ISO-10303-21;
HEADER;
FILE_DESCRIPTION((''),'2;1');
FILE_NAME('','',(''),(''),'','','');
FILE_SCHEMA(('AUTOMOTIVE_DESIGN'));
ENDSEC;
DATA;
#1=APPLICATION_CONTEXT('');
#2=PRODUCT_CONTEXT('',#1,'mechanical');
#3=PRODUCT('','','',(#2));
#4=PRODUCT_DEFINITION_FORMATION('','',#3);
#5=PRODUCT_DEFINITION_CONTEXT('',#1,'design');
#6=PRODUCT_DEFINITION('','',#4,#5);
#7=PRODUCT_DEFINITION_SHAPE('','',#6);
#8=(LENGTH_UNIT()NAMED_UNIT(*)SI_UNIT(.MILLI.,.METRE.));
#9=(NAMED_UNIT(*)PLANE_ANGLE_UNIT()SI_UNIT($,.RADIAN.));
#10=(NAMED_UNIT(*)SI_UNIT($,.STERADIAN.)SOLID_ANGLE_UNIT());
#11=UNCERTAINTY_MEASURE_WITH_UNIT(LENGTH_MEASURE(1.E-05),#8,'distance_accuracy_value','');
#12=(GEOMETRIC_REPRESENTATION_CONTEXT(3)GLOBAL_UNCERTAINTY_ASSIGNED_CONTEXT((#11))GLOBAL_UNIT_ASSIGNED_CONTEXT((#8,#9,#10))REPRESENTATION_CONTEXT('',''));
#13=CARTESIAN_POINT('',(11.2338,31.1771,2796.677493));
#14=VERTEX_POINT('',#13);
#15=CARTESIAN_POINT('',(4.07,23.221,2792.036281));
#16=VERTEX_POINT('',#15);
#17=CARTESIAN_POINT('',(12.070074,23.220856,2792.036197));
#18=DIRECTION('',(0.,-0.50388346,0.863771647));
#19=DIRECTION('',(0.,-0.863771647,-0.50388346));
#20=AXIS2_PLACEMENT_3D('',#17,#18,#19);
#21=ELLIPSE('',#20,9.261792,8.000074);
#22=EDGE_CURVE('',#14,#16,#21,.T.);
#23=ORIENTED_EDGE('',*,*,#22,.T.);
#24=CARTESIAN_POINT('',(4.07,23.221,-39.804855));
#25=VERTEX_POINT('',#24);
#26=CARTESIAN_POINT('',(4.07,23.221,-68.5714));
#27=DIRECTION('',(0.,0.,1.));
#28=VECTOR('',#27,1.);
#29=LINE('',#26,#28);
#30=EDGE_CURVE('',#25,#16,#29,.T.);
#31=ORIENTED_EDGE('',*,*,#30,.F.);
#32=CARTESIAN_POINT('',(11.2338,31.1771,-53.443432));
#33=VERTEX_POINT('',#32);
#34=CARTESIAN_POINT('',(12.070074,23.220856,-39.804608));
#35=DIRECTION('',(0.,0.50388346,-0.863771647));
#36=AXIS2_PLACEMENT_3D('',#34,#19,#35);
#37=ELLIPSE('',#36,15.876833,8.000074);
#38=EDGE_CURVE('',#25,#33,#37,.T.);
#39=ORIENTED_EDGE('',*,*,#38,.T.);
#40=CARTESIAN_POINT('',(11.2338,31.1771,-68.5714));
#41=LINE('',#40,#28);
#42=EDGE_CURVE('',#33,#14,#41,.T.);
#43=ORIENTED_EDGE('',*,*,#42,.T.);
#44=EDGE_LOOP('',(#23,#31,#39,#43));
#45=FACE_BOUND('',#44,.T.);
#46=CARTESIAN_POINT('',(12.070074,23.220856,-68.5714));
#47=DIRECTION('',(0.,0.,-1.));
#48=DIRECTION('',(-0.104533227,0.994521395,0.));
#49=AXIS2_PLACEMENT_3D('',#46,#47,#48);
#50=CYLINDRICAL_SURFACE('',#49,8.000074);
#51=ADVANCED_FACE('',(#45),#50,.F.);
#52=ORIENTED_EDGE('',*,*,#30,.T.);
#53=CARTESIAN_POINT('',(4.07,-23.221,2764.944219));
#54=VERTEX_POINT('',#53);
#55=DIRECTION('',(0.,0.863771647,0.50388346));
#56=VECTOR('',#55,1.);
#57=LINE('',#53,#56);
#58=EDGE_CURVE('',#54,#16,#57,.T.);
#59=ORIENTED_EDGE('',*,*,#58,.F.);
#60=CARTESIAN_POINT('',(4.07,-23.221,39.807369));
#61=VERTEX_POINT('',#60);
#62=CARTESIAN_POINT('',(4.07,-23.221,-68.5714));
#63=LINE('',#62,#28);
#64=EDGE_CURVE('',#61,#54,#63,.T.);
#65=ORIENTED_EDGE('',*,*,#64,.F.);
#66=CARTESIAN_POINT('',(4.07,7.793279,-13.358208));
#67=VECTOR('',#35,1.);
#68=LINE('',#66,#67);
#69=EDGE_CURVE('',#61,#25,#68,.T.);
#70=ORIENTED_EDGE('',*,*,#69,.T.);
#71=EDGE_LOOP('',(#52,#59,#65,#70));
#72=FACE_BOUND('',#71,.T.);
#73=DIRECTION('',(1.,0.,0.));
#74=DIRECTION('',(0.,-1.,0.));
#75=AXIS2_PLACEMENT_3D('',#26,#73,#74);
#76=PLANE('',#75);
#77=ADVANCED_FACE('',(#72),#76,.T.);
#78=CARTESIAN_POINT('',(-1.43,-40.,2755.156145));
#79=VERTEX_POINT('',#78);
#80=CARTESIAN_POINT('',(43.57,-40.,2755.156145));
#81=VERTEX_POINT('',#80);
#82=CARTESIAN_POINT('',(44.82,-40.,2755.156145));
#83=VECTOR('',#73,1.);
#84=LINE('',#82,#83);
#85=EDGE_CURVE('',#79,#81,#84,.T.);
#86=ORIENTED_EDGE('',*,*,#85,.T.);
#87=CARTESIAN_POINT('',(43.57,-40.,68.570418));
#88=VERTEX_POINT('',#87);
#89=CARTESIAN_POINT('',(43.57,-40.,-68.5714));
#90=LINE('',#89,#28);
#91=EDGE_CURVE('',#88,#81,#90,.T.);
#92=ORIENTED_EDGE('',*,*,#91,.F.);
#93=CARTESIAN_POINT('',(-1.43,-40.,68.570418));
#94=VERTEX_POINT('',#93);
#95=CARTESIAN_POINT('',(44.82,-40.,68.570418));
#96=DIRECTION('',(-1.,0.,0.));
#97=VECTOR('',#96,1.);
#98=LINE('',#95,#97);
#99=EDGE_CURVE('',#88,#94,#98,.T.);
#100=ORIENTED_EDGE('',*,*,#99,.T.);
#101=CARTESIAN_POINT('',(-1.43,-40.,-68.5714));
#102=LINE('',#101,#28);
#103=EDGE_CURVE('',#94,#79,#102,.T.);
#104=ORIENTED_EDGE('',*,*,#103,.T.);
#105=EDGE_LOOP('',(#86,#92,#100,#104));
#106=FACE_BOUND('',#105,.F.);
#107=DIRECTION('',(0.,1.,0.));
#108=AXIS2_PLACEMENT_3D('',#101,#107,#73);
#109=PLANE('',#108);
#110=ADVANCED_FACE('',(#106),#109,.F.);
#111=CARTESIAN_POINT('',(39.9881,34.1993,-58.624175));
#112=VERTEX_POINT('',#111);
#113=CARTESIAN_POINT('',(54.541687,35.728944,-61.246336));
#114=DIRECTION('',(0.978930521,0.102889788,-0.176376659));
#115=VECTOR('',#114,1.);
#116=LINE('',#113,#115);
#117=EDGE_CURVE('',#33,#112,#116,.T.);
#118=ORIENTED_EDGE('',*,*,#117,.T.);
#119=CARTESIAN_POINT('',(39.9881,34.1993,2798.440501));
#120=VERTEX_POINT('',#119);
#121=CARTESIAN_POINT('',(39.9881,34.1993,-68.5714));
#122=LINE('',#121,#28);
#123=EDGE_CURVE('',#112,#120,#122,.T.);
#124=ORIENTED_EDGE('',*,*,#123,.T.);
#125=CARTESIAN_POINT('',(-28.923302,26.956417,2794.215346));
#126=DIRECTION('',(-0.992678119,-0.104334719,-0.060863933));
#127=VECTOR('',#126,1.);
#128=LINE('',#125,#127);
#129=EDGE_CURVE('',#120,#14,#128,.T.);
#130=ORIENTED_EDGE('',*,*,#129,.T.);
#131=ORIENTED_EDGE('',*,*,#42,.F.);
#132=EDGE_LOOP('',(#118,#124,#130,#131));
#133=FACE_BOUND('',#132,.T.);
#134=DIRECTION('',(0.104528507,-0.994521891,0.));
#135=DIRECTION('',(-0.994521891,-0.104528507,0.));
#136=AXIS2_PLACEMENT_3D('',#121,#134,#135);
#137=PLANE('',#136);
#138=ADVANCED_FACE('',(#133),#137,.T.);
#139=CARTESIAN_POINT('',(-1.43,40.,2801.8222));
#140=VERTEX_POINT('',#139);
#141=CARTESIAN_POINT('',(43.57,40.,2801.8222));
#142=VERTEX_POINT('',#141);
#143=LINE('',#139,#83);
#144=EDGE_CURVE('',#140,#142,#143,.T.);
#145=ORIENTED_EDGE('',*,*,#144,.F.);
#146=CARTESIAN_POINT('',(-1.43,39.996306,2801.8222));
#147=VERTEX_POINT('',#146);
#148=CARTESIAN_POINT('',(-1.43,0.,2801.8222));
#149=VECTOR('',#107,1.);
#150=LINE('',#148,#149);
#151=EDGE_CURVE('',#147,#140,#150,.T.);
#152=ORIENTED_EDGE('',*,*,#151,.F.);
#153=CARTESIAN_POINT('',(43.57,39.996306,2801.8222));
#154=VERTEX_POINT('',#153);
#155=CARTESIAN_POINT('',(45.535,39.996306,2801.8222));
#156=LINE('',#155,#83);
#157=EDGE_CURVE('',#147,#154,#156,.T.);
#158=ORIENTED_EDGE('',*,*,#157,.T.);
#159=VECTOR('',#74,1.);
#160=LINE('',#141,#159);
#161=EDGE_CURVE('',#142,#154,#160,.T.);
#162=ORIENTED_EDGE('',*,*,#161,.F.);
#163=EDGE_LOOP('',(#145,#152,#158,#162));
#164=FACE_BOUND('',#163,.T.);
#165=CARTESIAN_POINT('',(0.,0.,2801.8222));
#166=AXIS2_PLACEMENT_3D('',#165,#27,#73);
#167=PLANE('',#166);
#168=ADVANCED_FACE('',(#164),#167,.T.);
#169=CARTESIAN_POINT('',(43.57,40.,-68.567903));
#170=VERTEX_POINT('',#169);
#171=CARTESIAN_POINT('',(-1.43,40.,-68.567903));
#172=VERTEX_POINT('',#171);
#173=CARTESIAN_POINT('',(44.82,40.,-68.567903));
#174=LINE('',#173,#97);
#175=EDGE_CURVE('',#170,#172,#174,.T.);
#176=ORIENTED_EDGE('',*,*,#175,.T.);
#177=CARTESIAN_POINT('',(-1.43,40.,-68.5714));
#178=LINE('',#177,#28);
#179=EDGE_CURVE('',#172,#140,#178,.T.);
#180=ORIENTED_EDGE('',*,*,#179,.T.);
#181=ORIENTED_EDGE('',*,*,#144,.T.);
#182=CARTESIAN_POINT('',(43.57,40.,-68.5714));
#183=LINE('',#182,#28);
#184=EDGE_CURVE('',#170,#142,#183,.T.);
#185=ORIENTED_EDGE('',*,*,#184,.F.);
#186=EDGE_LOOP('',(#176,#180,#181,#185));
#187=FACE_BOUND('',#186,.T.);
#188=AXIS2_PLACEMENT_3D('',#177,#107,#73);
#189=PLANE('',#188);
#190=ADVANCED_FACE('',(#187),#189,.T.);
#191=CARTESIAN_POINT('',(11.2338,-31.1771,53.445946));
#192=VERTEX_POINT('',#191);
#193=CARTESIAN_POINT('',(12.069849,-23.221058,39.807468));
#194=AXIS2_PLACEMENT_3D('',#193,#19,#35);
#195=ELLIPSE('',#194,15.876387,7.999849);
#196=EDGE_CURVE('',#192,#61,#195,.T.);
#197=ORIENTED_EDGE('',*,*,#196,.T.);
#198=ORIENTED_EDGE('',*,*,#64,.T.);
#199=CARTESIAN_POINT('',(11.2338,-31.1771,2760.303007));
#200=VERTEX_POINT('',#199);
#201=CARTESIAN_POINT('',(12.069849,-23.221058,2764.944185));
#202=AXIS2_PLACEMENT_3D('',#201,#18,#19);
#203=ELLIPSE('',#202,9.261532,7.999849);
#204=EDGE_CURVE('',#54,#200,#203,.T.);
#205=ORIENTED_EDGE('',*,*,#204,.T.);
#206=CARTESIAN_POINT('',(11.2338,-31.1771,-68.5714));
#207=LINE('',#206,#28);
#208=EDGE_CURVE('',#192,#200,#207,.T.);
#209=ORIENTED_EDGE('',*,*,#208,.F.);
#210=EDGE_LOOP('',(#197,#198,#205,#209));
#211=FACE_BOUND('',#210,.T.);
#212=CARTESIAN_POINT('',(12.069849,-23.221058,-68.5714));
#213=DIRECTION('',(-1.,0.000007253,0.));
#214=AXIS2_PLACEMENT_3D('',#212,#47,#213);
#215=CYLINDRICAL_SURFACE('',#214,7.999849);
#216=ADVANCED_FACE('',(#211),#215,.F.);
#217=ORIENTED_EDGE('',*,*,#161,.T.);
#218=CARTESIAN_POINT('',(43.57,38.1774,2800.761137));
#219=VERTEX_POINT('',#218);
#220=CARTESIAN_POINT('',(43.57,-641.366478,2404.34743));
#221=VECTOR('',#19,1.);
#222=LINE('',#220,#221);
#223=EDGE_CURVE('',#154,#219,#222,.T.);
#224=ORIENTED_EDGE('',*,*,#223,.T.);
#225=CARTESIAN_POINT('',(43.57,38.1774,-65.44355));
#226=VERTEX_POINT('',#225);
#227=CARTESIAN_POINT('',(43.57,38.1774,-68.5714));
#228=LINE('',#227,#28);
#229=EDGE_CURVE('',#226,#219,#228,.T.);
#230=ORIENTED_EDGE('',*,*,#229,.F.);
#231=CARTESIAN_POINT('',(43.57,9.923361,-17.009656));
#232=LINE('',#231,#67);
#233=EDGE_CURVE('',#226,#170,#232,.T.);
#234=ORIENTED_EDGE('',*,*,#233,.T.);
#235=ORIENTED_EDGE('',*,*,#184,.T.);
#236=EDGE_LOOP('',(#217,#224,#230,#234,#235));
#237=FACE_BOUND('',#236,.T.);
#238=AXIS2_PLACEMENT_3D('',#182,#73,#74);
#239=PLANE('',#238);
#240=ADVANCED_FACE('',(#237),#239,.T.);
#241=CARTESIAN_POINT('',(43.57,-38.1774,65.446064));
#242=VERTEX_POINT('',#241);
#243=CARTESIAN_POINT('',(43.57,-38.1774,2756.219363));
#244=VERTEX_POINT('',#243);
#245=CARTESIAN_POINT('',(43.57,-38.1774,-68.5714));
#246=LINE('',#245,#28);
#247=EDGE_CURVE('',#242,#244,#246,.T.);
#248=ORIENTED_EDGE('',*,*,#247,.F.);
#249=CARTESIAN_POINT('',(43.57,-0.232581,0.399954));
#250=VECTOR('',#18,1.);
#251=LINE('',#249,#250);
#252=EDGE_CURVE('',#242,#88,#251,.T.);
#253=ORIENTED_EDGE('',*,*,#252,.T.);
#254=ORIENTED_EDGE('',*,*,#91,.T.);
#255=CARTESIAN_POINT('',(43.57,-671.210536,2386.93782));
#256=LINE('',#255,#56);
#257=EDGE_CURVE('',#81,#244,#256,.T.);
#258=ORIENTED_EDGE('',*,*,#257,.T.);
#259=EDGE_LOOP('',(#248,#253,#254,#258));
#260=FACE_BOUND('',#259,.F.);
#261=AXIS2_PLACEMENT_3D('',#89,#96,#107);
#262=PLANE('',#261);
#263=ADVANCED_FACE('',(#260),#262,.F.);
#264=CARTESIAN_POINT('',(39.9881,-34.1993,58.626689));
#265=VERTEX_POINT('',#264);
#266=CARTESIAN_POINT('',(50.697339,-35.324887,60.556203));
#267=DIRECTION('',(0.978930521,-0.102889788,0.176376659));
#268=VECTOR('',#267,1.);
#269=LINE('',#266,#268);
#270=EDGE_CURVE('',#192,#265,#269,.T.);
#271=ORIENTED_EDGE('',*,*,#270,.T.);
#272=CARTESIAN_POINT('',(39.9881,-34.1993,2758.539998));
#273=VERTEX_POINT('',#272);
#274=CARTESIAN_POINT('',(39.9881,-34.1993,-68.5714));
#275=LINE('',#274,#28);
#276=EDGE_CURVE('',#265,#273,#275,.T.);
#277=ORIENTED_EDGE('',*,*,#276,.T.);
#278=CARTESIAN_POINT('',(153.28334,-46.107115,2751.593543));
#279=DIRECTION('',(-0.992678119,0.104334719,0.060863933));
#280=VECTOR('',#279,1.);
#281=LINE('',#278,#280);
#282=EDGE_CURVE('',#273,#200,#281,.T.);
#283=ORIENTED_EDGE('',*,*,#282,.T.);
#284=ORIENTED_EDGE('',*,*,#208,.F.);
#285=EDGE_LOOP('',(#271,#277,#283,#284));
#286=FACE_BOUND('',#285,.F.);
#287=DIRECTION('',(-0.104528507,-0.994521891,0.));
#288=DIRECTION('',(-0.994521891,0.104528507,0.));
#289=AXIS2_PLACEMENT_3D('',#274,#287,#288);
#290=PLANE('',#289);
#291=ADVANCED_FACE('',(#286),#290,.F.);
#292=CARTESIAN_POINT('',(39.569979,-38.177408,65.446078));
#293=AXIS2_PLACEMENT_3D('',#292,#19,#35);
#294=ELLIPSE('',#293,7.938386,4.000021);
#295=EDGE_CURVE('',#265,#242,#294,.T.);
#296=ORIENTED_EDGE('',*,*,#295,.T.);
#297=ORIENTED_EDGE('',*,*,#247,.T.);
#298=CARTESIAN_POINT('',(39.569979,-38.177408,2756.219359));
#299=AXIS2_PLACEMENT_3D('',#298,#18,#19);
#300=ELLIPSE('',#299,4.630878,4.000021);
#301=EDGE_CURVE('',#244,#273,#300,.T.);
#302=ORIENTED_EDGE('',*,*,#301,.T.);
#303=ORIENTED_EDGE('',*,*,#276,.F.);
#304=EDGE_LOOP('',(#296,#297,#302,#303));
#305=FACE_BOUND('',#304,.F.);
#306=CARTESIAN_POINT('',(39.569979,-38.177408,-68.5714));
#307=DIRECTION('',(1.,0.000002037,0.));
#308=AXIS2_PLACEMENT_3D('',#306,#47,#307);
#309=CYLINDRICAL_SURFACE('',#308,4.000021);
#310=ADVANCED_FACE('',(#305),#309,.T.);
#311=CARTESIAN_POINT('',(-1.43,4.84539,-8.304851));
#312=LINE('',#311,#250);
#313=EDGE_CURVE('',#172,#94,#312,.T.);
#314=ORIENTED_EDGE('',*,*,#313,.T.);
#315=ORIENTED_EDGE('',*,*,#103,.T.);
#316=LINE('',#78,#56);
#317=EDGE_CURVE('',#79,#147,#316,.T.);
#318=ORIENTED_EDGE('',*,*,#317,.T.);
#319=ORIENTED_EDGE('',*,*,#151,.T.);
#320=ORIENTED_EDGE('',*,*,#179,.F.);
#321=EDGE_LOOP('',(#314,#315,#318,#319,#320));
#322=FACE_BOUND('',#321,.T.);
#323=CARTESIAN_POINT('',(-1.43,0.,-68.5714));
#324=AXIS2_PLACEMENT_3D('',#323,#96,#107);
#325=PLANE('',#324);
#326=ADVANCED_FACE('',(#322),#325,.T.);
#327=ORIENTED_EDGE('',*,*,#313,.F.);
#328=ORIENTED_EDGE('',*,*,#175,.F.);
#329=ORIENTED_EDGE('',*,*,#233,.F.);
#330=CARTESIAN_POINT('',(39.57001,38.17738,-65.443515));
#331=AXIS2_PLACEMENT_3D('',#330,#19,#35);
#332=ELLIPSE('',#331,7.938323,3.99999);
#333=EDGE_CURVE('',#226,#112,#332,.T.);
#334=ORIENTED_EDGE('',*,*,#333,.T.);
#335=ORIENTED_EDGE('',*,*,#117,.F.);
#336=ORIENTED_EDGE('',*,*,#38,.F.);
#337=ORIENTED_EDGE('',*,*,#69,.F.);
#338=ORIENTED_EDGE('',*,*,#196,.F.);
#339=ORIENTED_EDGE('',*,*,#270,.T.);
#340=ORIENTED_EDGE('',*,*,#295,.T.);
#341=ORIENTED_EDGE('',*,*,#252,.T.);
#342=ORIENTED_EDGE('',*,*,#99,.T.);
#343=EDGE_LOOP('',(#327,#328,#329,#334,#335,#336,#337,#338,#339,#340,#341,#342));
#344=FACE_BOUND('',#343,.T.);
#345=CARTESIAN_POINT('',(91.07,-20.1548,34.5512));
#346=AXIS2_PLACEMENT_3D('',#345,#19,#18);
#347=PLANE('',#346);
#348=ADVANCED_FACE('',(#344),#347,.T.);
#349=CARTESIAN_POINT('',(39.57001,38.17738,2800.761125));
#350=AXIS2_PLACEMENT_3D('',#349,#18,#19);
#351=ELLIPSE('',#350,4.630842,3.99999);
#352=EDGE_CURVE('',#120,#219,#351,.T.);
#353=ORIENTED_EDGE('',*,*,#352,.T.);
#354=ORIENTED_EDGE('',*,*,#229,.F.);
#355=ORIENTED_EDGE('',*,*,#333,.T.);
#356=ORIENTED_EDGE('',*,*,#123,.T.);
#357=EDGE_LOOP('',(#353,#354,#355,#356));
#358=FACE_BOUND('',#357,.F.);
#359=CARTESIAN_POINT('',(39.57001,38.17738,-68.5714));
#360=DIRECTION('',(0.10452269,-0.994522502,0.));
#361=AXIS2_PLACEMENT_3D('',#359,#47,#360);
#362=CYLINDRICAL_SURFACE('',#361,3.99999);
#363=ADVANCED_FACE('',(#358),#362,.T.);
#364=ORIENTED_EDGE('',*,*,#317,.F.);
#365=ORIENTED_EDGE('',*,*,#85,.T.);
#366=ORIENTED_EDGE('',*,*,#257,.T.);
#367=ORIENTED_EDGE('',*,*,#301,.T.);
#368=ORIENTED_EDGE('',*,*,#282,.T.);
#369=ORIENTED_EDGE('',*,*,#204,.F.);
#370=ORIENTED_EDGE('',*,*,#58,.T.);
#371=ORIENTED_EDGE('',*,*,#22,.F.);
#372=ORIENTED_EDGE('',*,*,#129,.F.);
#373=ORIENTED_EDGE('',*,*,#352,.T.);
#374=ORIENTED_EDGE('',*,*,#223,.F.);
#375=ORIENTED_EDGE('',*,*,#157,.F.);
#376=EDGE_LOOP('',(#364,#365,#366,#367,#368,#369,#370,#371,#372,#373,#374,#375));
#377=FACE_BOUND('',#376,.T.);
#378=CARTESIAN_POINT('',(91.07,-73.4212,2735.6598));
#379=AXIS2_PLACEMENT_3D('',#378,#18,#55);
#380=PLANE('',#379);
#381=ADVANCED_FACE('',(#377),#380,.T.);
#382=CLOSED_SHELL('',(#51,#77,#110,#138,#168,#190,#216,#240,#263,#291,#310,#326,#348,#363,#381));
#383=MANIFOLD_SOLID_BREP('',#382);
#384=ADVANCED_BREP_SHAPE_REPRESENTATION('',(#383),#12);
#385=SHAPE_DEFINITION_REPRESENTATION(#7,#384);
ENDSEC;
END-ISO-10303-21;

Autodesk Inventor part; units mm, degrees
ref_plane "Начальная плоскость" through (0, 0, -68.5714) normal (0, 0, 1) x (1, 0, 0)
ref_plane "Конечная плоскость" through (0, 0, 2801.8221) normal (0, 0, 1) x (1, 0, 0)
sketch "Эскиз" plane through (0, 0, 0) normal (0, 0, 1) x (1, 0, 0)
  line L0 (-1.43, 0) -> (-1.43, 40)
  line L1 (-1.43, 40) -> (43.57, 40)
  line L2 (43.57, 40) -> (43.57, 38.1774)
  line L3 (39.9881, 34.1993) -> (11.2338, 31.1771)
  line L4 (4.07, 23.221) -> (4.07, 0)
  line L5 (4.07, 0) -> (-1.43, 0) construction
  line L6 (23.82, 40) -> (23.82, 32.5) construction
  line L7 (43.57, 34.5758) -> (43.57, 32.5) construction
  line L8 (43.57, 32.5) -> (23.82, 32.5) construction
  line L9 (0, 15) -> (0, -27) construction
  line L10 (-5.539, 0) -> (16.0067, 0) construction
  line L11 (-1.43, 0) -> (-1.43, -40)
  line L12 (-1.43, -40) -> (43.57, -40)
  line L13 (43.57, -40) -> (43.57, -38.1774)
  line L14 (39.9881, -34.1993) -> (11.2338, -31.1771)
  line L15 (4.07, -23.221) -> (4.07, 0)
  arc A0 (11.2338, 31.1771) -> (4.07, 23.221) centre (12.07, 23.221) ccw
  arc A1 (4.07, -23.221) -> (11.2338, -31.1771) centre (12.07, -23.221) ccw
  arc A2 (39.9881, 34.1993) -> (43.57, 38.1774) centre (39.57, 38.1774) ccw
  arc A3 (43.57, -38.1774) -> (39.9881, -34.1993) centre (39.57, -38.1774) ccw
  line L16 (0, 56) -> (0, -56) construction
  line L17 (-15.5135, 0) -> (54.308, 0) construction
  point P0 (4.07, 30.4242)
  point P1 (43.57, -34.5758)
  point P2 (4.07, -30.4242)
  point P3 (23.82, -40)
  point P4 (23.82, -32.5)
  dimension "d0" = 5.5
  dimension "d1" = 40
  dimension "d2" = 45
  dimension "d3" = 7.5
  dimension "d4" = 19.75
  dimension "d5" = 2.0758
  dimension "d23" = 8
  dimension "d24" = 4
  dimension "d25" = 1.43
extrude "Тело" add sketch "Эскиз" along normal up to surface (2870.3936 mm away) from surface at -68.5714
sketch "Sketch3" plane through (0, 0, 0) normal (0, 0, 1) x (1, 0, 0)
  line L0 (0, 0) -> (10, 0)
ref_plane "Work Plane3" through (0, 0, 0) normal (0, -1, 0) x (1, 0, 0)
sketch "Sketch4" plane through (0, 0, 0) normal (0, -1, 0) x (1, 0, 0)
  line L0 (-2, -68.5714) -> (12, -68.5714)
  line L1 (-2, 2801.8221) -> (12, 2801.8221)
  dimension "d29" = 2870.3936
ref_plane "РабПлоскость4" through (91.07, -73.4212, 2735.6598) normal (0, -0.5039, 0.8638) x (1, 0, 0)
split "Разделение1" plane through (91.07, -73.4212, 2735.6598) removes the side toward (0, -0.5039, 0.8638)
ref_plane "РабПлоскость5" through (91.07, -20.1548, 34.5512) normal (0, -0.8638, -0.5039) x (1, 0, 0)
split "Разделение2" plane through (91.07, -20.1548, 34.5512) removes the side toward (0, -0.8638, -0.5039)
equation "\"d0\" = G_T"
equation "\"d1\" = 0.5 * G_H"
equation "\"d2\" = G_W"
equation "\"d3\" = G_T1"
equation "\"d4\" = G_C"
equation "\"d23\" = G_IR"
equation "\"d24\" = G_ER"
equation "\"d25\" = ex"
equation "\"d6\" = G_L"
equation "\"G_W\" = 45"
equation "\"G_T\" = 5.5"
equation "\"G_T1\" = 7.5"
equation "\"G_NG\" = 0.105104"
equation "\"G_ER\" = 4"
equation "\"G_IR\" = 8"
equation "\"G_C\" = 19.75"
equation "\"G_L\" = d29"
equation "\"ex\" = 1.43"
equation "\"G_OFFSET_START\" = 68.57143"
equation "\"G_OFFSET_END\" = 23.33333"
equation "\"d26\" = -G_OFFSET_START"
equation "\"d27\" = G_OFFSET_END + B_L"
equation "\"B_L\" = 2778.4888"
equation "\"G_H\" = 80"
properties part number "ISO 657/11 - CH 80 x 8 - 2870,39" material "Сталь, мягкая"
